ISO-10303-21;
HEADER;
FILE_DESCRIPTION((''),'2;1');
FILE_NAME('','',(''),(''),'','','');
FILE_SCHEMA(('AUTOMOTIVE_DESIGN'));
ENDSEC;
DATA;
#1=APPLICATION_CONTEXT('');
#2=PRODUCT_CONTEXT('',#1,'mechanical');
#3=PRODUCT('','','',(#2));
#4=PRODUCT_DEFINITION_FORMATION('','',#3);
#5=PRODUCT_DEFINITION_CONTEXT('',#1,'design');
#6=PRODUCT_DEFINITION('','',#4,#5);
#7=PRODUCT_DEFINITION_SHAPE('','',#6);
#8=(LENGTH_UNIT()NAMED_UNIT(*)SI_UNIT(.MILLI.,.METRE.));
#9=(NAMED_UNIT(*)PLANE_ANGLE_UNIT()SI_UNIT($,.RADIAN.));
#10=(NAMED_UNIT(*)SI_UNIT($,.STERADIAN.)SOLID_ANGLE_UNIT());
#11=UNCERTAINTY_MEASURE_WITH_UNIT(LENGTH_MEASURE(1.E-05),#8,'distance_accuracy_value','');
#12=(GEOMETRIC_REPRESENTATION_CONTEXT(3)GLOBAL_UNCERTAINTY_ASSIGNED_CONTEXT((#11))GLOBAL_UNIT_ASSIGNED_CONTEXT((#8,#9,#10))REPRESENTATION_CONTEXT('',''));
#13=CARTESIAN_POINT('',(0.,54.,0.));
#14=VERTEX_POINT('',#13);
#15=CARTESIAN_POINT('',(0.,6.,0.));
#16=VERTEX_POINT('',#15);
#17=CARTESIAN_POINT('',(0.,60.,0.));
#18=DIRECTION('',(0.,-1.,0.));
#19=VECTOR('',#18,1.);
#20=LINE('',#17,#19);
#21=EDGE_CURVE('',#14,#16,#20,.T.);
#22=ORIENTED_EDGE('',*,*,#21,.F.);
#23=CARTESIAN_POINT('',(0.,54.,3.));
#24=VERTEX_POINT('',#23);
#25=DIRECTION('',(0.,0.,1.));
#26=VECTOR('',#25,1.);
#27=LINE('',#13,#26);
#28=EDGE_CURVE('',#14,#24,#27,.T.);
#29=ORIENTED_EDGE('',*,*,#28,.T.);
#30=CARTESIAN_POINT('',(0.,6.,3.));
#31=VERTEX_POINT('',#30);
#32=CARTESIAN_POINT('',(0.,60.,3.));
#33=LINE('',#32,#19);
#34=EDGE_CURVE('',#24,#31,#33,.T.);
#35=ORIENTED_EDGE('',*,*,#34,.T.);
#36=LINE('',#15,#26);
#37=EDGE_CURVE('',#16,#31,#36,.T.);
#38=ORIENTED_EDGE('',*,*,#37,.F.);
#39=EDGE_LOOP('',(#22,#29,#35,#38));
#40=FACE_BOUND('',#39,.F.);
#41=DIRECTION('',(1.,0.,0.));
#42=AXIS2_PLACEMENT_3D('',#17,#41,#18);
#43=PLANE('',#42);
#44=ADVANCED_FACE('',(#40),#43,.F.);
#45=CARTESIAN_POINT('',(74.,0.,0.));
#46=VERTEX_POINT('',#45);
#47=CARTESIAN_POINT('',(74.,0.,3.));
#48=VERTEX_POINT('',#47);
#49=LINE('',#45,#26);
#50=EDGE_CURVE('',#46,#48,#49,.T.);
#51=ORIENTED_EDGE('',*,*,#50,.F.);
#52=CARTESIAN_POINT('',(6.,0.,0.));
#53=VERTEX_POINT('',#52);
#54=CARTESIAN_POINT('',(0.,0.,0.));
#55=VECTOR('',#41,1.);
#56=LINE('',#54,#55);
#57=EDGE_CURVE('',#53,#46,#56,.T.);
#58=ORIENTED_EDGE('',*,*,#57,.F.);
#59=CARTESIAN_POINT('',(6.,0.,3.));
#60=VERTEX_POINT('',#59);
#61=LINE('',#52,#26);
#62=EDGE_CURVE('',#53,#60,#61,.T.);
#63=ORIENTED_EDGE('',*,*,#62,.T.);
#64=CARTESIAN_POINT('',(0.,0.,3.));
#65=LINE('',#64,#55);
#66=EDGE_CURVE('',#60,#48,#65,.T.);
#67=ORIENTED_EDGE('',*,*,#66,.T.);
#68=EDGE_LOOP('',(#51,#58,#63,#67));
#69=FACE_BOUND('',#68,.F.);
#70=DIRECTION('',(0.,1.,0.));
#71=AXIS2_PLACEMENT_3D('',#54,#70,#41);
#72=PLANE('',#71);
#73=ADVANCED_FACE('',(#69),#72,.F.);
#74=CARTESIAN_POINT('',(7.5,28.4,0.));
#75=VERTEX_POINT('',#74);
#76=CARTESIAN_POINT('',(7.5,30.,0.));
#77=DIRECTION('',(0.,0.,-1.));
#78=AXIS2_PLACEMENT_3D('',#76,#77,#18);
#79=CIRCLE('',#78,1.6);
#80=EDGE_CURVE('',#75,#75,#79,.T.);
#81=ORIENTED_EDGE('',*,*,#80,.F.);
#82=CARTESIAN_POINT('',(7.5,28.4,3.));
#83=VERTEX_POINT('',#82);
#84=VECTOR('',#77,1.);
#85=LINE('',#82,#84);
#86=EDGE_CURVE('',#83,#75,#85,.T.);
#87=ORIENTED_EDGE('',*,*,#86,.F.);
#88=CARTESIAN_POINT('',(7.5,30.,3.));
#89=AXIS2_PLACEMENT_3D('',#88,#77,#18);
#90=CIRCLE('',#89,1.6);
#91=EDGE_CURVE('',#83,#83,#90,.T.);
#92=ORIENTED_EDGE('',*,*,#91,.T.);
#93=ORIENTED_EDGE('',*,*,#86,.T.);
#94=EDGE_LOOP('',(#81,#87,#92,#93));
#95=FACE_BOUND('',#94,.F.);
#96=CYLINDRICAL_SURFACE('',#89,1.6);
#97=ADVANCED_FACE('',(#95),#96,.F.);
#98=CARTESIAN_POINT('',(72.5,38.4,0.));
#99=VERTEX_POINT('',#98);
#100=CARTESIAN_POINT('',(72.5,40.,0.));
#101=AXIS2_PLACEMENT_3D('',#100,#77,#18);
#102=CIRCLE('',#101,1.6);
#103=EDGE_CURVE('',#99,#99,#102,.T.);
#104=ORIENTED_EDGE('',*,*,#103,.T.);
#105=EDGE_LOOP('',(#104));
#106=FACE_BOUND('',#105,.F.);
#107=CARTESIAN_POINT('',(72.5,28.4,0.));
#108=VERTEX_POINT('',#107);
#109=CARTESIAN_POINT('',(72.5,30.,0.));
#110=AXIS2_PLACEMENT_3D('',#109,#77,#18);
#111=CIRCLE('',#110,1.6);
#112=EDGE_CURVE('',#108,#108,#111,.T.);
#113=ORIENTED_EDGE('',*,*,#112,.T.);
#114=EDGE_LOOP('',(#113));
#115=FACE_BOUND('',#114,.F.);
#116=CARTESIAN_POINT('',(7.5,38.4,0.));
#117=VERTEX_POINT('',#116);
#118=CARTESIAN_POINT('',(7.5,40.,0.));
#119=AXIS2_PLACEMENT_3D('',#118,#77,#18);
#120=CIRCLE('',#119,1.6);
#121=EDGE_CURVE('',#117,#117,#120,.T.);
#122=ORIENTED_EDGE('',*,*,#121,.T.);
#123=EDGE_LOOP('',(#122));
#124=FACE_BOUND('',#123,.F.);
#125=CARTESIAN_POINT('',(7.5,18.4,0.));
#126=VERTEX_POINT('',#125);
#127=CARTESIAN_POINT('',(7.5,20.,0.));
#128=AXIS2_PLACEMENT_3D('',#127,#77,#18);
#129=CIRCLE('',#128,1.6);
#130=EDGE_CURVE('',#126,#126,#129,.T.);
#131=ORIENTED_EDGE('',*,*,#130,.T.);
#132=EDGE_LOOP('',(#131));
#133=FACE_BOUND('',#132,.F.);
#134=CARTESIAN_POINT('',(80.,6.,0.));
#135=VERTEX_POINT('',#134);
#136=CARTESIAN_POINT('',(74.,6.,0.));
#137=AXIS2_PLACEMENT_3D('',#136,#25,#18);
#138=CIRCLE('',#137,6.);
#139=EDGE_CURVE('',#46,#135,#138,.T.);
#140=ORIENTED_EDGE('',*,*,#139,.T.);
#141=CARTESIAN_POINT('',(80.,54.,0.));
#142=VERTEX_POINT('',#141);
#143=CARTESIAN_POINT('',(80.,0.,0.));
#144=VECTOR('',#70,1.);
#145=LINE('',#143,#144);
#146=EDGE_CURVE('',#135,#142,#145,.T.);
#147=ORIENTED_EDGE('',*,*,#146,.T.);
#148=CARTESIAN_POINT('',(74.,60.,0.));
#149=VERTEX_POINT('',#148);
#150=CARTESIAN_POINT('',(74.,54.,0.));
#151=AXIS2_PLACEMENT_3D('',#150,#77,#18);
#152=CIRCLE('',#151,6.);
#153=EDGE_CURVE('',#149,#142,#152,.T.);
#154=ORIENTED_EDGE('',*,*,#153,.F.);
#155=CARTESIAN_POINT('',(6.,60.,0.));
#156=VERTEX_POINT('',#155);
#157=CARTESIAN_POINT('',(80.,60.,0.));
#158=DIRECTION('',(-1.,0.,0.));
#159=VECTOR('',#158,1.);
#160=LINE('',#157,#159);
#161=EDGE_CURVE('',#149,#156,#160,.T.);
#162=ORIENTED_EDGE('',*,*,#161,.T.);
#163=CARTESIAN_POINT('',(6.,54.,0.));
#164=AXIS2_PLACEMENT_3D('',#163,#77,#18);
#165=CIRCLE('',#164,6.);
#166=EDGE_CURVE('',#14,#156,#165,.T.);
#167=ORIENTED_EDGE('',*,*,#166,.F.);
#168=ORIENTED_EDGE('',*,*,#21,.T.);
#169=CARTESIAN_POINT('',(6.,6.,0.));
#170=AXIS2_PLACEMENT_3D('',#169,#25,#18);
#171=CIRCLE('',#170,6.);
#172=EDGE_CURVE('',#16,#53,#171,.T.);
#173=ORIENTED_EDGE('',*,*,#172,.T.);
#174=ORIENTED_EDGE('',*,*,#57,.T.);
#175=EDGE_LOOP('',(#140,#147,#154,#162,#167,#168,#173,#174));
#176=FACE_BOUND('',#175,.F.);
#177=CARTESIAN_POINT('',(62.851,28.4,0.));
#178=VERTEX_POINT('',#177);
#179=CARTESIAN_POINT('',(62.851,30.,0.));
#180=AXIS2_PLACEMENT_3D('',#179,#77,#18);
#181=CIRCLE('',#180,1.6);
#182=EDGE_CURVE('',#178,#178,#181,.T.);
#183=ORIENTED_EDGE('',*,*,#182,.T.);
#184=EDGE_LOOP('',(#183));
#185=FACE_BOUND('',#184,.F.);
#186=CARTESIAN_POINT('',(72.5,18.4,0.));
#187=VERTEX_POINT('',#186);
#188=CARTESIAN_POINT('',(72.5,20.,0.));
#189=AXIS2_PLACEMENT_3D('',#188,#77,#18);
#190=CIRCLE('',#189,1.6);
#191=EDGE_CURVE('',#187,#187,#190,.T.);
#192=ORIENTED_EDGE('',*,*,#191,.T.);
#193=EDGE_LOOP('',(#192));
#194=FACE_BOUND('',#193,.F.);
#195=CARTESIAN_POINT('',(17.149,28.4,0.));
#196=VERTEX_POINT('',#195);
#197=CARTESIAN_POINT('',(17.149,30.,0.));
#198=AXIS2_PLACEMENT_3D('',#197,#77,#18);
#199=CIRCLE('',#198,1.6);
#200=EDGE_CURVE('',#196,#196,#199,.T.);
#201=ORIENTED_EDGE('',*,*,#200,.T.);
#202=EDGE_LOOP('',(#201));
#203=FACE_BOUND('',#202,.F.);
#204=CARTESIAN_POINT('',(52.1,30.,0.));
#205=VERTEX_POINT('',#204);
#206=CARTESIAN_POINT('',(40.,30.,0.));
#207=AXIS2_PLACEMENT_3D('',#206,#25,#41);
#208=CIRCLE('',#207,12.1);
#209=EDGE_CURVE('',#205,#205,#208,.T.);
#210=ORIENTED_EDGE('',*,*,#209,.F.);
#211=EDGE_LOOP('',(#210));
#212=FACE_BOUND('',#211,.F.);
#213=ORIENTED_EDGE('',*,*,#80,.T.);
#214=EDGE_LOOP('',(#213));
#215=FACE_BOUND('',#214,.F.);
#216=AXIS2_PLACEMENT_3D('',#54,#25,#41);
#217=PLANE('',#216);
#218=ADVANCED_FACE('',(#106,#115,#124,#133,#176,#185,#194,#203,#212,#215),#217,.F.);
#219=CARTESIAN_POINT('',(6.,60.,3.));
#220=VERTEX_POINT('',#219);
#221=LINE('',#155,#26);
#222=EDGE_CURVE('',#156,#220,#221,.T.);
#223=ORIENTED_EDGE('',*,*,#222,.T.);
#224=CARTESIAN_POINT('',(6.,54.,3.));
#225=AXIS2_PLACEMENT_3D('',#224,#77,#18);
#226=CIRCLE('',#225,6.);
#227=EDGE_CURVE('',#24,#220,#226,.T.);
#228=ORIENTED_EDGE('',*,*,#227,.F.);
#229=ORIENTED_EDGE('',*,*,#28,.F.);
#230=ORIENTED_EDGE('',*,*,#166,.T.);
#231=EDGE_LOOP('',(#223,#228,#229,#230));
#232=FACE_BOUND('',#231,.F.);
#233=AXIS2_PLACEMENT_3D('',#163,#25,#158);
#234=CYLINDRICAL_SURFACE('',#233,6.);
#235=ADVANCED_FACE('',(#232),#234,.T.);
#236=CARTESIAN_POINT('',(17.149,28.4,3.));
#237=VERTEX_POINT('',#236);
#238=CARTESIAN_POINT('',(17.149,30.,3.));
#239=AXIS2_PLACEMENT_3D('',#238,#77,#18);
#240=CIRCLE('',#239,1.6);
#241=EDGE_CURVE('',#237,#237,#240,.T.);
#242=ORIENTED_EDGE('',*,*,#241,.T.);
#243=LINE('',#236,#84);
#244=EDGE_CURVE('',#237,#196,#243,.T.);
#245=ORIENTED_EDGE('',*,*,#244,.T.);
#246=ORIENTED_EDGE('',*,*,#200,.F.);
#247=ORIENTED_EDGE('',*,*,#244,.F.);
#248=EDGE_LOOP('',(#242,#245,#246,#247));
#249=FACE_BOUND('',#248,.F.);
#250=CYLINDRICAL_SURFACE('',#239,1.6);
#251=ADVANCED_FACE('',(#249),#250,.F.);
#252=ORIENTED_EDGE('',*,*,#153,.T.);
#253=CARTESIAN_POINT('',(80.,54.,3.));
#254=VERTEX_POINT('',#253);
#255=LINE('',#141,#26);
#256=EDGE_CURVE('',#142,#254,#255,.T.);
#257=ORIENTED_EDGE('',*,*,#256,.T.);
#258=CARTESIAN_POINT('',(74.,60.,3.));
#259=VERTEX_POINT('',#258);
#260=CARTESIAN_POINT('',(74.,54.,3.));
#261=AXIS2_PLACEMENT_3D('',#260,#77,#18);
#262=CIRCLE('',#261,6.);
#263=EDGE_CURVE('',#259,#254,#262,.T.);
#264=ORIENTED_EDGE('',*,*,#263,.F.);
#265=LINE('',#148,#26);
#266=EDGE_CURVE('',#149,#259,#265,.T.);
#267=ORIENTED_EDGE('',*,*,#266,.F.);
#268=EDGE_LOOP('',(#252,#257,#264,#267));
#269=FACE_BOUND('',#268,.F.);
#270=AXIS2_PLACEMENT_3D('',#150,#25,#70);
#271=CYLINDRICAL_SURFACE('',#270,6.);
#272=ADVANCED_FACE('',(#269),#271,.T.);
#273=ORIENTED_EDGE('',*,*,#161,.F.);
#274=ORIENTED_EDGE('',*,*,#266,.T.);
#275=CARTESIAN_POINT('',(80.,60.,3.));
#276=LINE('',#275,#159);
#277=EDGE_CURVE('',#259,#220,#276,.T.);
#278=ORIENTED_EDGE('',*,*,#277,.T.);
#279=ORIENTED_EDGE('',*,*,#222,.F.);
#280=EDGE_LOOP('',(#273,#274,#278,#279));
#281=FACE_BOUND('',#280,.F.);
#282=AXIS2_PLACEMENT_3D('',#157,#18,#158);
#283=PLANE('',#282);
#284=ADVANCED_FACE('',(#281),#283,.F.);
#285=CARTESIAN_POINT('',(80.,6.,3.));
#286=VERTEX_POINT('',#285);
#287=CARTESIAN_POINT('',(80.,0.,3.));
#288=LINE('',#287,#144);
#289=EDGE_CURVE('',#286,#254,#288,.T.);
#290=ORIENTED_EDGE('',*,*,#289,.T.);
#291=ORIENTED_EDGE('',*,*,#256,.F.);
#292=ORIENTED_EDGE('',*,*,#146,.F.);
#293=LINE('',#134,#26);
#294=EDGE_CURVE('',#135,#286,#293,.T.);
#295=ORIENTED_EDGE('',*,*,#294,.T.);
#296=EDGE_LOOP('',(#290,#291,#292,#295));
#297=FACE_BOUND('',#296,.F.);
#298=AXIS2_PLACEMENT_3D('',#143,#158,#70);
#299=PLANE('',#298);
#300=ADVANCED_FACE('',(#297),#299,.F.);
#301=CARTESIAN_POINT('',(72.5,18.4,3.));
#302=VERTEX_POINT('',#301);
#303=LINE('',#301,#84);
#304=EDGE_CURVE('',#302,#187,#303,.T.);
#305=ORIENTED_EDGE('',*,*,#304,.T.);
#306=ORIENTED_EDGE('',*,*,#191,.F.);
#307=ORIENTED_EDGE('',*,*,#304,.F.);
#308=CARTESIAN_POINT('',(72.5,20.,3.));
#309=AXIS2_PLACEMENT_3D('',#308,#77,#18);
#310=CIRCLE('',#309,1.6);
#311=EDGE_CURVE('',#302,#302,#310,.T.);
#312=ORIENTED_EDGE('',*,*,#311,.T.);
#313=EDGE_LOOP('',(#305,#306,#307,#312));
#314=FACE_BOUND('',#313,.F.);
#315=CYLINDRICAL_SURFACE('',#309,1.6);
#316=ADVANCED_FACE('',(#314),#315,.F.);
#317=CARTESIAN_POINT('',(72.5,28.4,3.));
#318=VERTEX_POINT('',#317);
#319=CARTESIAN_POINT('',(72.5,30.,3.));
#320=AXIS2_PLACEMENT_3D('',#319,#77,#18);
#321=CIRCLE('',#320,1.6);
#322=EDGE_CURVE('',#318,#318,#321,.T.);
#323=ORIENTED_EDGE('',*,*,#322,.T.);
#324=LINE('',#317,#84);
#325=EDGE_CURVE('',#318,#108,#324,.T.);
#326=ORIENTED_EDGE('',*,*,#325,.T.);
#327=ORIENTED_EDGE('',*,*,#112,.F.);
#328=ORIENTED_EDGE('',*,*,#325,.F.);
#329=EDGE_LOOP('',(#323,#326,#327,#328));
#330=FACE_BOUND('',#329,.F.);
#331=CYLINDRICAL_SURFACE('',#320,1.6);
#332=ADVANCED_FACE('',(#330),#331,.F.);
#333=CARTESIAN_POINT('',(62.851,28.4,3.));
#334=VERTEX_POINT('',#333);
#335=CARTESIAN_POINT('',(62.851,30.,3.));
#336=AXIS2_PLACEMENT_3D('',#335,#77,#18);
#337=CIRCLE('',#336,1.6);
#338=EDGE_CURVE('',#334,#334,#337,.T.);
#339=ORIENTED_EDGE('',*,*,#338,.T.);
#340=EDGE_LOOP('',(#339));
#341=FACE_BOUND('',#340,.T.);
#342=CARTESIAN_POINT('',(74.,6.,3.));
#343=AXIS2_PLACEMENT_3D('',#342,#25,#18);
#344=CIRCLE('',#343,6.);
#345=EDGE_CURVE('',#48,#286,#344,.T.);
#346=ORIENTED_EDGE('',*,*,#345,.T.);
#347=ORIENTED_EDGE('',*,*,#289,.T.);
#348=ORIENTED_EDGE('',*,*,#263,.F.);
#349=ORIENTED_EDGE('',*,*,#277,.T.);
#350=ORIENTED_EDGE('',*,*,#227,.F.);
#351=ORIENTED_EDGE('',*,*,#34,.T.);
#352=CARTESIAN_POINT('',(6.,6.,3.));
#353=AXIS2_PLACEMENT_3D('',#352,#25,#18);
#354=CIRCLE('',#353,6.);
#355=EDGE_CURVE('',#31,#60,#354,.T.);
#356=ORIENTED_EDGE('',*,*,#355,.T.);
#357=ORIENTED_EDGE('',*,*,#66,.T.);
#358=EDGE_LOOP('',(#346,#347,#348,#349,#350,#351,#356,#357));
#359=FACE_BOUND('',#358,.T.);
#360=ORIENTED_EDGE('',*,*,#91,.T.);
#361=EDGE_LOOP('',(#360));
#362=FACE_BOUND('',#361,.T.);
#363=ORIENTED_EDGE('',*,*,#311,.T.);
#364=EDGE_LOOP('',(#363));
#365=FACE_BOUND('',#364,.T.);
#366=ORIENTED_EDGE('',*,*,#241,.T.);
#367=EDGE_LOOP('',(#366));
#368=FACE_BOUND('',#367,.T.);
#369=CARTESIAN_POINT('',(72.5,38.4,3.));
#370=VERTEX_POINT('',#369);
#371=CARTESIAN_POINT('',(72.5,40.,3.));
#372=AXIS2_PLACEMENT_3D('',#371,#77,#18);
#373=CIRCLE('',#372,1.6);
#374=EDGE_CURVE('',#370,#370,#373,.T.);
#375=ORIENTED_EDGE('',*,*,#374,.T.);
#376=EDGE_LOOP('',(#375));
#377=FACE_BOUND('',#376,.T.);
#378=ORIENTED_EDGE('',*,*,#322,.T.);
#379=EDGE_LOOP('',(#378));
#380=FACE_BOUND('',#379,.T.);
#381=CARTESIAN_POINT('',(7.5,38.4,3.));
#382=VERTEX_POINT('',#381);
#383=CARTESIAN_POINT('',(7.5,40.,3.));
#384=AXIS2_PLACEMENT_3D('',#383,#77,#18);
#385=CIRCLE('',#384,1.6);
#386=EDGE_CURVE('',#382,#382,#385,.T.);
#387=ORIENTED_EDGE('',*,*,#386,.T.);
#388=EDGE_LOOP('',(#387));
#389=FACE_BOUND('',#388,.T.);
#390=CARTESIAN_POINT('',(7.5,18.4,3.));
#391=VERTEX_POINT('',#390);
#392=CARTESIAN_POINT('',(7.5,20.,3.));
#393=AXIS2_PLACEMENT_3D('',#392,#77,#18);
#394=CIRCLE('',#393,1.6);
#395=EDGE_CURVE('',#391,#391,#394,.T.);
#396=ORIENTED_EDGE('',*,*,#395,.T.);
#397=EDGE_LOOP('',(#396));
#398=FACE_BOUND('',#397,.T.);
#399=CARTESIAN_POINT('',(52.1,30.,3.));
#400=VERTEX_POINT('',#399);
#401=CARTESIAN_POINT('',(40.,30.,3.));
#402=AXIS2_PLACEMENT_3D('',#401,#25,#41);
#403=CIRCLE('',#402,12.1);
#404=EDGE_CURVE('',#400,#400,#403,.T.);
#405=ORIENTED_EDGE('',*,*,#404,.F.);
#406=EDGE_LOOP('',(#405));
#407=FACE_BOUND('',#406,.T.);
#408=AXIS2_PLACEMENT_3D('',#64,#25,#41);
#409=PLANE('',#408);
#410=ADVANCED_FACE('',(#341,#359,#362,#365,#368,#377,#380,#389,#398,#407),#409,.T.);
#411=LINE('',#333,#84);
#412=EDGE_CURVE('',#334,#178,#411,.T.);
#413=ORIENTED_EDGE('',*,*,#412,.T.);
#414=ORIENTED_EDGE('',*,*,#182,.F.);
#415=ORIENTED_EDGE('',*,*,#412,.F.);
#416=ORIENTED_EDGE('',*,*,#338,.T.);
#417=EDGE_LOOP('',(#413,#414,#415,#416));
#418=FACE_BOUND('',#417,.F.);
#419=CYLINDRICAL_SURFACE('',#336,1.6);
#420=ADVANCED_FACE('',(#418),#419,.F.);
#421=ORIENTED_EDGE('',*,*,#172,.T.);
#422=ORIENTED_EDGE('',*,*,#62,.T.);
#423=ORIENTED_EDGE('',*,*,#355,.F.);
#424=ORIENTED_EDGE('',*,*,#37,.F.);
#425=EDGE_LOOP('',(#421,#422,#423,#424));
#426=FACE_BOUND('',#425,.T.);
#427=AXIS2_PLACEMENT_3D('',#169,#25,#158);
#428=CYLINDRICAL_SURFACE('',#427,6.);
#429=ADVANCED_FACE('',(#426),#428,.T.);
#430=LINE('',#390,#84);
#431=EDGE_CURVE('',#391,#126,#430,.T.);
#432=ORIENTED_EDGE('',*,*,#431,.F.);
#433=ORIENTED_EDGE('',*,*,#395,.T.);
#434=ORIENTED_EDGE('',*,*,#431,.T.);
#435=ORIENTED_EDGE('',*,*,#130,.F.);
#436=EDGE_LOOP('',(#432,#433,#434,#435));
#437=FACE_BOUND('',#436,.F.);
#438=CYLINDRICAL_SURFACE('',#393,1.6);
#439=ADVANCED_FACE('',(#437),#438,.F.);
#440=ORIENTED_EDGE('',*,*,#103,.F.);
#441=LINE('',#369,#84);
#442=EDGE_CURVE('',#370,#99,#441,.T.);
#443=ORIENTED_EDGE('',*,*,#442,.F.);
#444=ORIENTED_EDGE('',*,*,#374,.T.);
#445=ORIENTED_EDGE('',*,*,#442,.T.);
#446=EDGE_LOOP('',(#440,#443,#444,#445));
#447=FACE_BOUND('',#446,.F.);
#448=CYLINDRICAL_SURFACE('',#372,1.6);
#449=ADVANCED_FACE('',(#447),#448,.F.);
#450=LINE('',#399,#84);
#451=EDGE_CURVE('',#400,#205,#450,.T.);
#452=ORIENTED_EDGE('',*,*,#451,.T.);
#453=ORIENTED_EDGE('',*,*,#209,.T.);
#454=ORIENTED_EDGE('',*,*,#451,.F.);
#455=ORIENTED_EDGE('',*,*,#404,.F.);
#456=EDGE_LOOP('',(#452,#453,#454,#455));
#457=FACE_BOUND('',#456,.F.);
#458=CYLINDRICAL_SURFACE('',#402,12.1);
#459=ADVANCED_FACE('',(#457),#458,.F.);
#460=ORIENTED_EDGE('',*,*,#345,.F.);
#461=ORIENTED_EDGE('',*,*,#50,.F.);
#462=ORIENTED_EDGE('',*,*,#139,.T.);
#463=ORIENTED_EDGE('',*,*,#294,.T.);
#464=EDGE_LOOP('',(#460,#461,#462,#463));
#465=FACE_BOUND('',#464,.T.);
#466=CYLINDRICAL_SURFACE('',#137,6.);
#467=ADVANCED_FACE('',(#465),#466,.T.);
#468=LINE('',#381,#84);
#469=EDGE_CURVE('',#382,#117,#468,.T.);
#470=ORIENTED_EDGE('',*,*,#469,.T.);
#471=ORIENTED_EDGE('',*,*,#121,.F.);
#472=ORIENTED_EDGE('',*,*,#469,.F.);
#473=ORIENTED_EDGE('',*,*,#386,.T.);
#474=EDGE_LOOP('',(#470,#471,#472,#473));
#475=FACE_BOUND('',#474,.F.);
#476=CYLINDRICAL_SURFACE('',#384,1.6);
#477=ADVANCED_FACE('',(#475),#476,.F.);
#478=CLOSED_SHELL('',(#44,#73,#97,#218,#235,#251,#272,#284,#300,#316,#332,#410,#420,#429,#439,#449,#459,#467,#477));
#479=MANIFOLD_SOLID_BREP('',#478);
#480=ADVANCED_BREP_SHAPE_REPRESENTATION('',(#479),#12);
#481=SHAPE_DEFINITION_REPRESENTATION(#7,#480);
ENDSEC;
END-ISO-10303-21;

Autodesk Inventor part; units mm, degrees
ref_plane "YZ Plane" through (0, 0, 0) normal (1, 0, 0) x (0, 1, 0)
ref_plane "XZ Plane" through (0, 0, 0) normal (0, 1, 0) x (-1, 0, 0)
ref_plane "XY Plane" through (0, 0, 0) normal (0, 0, 1) x (1, 0, 0)
sketch "スケッチ1" plane through (0, 0, 0) normal (0, 0, 1) x (1, 0, 0)
  line L0 (0, 0) -> (80, 0)
  line L1 (80, 0) -> (80, 60)
  line L2 (80, 60) -> (0, 60)
  line L3 (0, 60) -> (0, 0)
  dimension "d0" = 80
  dimension "d1" = 60
extrude "押し出し1" add sketch "スケッチ1" along normal blind 3
sketch "スケッチ2" plane through (0, 0, 3) normal (0, 0, 1) x (1, 0, 0)
  point P0 (0, 0)
sketch "スケッチ3" plane through (0, 0, 3) normal (0, 0, 1) x (1, 0, 0)
  line L0 (0, 0) -> (80, 0) projected
  line L1 (15, 0) -> (15, 60) construction
  line L2 (15, 0) -> (75, 0) construction
  line L3 (0, 60) -> (0, 0) projected
  circle A0 centre (7.5, 30) radius 1.6
  circle A1 centre (7.5, 40) radius 1.6
  circle A2 centre (7.5, 20) radius 1.6
  line L4 (80, 60) -> (0, 60) projected
  line L5 (40, 60) -> (40, 0) construction
  circle A3 centre (72.5, 30) radius 1.6
  circle A4 centre (72.5, 40) radius 1.6
  circle A5 centre (72.5, 20) radius 1.6
  point P0 (0, 30)
  dimension "d4" = 60
  dimension "d5" = 90
  dimension "d6" = 15
  dimension "d7" = 3.2
  dimension "d8" = 7.5
  dimension "d9" = 30
  dimension "d10" = 3.2
  dimension "d11" = 3.2
  dimension "d12" = 10
  dimension "d13" = 10
  dimension "d14" = 40
hole "穴1" at (7.5, 40, 3) at (7.5, 30, 3) at (7.5, 20, 3) at (72.5, 40, 3) at (72.5, 30, 3) at (72.5, 20, 3) direction (0, 0, -1) diameter 3.2 end through all
sketch "スケッチ4" plane through (0, 0, 3) normal (0, 0, 1) x (1, 0, 0)
  circle A0 centre (40, 30) radius 7.5
  line L0 (80, 60) -> (0, 60) projected
  line L1 (80, 0) -> (80, 60) projected
  point P0 (0, 0)
  dimension "d22" = 15
  dimension "d23" = 30
  dimension "d24" = 40
extrude "押し出し2" cut sketch "スケッチ4" against normal blind 3
sketch "スケッチ5" plane through (0, 0, 3) normal (0, 0, 1) x (1, 0, 0)
  point P0 (0, 0)
sketch "スケッチ6" plane through (0, 0, 3) normal (0, 0, 1) x (1, 0, 0)
  circle A0 centre (40, 30) radius 7.5 projected
  circle A1 centre (40, 30) radius 12.1
  point P0 (0, 0)
  dimension "d27" = 24.2
extrude "押し出し3" cut sketch "スケッチ6" against normal blind 3
sketch "スケッチ7" plane through (0, 0, 3) normal (0, 0, 1) x (1, 0, 0)
  circle A0 centre (40, 30) radius 12.1 projected
  line L0 (0, 0) -> (80, 0) projected
  point P0 (62.851, 30)
  point P1 (17.149, 30)
  dimension "d30" = 22.851
  dimension "d31" = 22.851
  dimension "d32" = 30
  dimension "d33" = 30
hole "穴2" at (17.149, 30, 3) at (62.851, 30, 3) direction (0, 0, -1) diameter 3.2 end through all
fillet "フィレット1" radius 6 4 edges at (0, 60, 1.5) (80, 60, 1.5) (80, 0, 1.5) (0, 0, 1.5)
sketch "スケッチ8" plane through (0, 0, 3) normal (0, 0, 1) x (1, 0, 0)
  point P0 (0, 0)
properties part number "射出_エンコーダー固定" material "アルミニウム 6061"
